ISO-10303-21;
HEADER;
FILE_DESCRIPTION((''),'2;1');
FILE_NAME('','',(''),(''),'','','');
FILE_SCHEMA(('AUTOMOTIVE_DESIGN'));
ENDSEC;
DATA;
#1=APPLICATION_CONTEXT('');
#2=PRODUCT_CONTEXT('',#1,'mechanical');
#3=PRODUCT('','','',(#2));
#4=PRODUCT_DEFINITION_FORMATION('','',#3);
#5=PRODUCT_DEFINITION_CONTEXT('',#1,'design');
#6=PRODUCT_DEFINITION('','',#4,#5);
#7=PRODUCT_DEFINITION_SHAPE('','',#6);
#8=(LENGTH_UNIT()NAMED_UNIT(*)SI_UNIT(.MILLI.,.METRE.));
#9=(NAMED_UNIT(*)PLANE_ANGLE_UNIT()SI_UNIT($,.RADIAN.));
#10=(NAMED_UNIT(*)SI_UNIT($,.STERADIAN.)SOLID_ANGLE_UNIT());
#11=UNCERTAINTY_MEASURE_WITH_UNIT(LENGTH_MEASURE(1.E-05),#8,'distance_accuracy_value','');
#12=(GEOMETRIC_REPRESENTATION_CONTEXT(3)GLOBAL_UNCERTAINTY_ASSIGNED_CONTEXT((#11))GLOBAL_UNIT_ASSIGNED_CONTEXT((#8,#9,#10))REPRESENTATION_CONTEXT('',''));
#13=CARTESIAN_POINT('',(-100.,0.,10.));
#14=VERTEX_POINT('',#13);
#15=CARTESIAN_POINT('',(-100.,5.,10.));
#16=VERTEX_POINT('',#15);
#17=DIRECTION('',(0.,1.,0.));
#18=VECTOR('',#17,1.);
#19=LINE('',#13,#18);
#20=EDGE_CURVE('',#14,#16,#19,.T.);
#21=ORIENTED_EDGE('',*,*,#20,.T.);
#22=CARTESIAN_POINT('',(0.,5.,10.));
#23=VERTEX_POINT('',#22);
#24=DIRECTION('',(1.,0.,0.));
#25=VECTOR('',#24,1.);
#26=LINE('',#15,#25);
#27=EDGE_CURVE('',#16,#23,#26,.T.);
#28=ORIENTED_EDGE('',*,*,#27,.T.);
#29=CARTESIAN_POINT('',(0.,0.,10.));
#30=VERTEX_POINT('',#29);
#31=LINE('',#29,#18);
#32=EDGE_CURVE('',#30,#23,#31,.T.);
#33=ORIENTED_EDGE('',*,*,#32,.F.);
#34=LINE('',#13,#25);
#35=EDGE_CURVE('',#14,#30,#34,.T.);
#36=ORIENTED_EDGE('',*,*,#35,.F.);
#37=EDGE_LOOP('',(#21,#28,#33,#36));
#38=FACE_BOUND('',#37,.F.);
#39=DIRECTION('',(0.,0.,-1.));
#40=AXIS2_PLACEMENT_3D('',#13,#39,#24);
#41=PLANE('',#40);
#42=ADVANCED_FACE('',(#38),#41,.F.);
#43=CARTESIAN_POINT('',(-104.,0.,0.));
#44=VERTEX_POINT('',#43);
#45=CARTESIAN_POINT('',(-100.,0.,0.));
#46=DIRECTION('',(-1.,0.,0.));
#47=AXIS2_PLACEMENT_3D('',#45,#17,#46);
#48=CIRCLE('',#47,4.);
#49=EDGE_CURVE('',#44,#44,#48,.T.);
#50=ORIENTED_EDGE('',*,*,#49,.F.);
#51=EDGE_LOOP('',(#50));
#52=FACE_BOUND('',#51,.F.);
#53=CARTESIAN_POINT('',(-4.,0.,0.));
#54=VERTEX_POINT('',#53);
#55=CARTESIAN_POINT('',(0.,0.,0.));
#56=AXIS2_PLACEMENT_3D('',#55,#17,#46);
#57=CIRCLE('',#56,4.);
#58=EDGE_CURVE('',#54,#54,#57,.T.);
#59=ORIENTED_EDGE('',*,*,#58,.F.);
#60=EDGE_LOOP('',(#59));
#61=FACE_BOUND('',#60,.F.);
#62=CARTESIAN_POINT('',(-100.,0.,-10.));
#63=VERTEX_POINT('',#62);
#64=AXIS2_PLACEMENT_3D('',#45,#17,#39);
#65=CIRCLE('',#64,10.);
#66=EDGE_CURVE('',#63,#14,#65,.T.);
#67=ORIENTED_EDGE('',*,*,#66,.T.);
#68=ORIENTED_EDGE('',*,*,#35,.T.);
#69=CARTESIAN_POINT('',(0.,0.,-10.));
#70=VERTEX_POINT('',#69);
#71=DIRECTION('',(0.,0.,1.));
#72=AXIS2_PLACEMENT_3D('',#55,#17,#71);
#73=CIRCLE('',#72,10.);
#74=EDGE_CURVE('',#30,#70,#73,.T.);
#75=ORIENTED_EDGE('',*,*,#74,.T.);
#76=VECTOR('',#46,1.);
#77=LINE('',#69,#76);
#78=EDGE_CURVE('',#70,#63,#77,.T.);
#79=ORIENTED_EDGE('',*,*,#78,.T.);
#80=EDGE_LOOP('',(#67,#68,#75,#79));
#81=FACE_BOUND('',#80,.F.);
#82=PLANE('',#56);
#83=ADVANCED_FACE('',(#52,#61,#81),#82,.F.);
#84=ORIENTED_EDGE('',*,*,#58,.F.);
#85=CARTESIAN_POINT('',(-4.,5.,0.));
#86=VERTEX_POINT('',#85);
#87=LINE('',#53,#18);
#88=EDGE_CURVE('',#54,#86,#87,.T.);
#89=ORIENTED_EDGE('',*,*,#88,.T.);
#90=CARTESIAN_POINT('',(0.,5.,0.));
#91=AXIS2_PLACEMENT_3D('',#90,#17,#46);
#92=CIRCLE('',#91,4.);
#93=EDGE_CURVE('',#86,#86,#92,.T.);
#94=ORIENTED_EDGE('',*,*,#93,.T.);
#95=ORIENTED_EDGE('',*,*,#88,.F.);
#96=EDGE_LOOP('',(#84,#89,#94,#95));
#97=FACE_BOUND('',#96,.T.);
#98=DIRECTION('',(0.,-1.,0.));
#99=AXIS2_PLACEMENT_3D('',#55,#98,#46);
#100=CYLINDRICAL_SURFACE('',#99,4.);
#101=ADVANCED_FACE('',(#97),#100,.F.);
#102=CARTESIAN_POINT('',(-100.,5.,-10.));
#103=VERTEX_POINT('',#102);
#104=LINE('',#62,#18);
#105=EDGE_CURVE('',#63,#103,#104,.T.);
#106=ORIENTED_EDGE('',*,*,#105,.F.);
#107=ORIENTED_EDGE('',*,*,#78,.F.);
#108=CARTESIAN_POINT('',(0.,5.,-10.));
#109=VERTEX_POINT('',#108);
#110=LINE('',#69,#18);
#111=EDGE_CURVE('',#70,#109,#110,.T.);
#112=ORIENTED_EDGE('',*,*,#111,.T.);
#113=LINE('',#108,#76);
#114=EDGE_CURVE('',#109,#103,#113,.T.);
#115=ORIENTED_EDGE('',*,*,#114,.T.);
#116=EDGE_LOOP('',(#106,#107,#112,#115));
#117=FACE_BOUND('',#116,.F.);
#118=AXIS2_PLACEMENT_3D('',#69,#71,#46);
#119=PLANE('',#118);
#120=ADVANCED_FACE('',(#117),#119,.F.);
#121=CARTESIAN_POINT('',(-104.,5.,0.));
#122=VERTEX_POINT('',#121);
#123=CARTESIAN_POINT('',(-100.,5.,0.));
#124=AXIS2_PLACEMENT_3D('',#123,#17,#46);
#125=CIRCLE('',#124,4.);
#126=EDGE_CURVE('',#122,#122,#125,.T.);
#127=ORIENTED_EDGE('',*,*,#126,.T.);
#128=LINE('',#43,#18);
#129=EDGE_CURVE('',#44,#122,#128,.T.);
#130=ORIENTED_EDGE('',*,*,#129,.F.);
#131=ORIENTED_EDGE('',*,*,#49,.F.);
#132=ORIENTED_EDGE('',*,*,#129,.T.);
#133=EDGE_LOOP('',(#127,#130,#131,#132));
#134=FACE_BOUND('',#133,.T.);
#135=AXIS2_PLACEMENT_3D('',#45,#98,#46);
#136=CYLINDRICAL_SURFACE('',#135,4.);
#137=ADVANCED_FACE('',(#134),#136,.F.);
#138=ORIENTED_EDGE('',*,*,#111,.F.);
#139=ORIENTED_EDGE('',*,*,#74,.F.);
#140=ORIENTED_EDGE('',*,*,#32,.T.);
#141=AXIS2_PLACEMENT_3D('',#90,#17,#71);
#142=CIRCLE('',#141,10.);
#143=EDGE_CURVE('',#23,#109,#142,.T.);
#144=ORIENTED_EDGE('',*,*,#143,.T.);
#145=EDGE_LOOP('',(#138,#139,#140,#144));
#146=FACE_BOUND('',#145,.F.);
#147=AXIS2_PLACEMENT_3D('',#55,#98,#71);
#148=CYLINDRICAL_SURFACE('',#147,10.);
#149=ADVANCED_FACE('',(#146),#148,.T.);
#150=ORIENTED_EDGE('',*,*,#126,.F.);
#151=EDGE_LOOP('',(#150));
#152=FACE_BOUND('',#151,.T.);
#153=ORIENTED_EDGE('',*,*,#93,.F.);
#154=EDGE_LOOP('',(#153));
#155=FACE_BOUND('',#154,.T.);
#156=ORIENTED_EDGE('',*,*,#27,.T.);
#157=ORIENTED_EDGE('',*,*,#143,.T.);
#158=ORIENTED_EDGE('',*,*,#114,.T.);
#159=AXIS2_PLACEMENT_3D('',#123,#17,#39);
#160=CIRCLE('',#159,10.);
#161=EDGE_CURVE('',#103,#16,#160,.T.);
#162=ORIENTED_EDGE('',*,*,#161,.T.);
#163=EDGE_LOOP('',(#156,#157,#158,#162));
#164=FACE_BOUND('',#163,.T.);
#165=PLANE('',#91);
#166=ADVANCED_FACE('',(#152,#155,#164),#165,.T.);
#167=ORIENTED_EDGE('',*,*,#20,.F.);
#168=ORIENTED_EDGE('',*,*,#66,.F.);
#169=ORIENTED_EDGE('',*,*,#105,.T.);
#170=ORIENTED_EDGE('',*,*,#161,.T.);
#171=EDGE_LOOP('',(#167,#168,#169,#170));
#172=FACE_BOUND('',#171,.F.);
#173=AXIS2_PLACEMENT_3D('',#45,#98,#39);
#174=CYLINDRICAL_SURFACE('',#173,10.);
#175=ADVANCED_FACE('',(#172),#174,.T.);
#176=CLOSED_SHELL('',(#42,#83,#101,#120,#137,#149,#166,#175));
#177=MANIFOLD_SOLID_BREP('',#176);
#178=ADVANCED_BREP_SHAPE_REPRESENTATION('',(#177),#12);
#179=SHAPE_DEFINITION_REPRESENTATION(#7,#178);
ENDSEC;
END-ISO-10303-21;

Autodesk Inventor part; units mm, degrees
ref_plane "YZ Plane" through (0, 0, 0) normal (1, 0, 0) x (0, 1, 0)
ref_plane "XZ Plane" through (0, 0, 0) normal (0, 1, 0) x (-1, 0, 0)
ref_plane "XY Plane" through (0, 0, 0) normal (0, 0, 1) x (1, 0, 0)
sketch "Sketch1" plane through (0, 0, 0) normal (0, 1, 0) x (-1, 0, 0)
  line L0 (0, 0) -> (100, 0) construction
  line L1 (0, -10) -> (100, -10)
  line L2 (100, 10) -> (0, 10)
  arc A0 (0, 10) -> (0, -10) centre (0, 0) ccw
  arc A1 (100, -10) -> (100, 10) centre (100, 0) ccw
  circle A2 centre (0, 0) radius 4
  circle A3 centre (100, 0) radius 4
  point P0 (50, 0)
  dimension "d0" = 100
  dimension "d1" = 20
  dimension "d2" = 8
  dimension "d3" = 8
extrude "Extrusion1" add sketch "Sketch1" along normal blind 5
properties part number "Lamp arm 2" material "ABS Plastic"
